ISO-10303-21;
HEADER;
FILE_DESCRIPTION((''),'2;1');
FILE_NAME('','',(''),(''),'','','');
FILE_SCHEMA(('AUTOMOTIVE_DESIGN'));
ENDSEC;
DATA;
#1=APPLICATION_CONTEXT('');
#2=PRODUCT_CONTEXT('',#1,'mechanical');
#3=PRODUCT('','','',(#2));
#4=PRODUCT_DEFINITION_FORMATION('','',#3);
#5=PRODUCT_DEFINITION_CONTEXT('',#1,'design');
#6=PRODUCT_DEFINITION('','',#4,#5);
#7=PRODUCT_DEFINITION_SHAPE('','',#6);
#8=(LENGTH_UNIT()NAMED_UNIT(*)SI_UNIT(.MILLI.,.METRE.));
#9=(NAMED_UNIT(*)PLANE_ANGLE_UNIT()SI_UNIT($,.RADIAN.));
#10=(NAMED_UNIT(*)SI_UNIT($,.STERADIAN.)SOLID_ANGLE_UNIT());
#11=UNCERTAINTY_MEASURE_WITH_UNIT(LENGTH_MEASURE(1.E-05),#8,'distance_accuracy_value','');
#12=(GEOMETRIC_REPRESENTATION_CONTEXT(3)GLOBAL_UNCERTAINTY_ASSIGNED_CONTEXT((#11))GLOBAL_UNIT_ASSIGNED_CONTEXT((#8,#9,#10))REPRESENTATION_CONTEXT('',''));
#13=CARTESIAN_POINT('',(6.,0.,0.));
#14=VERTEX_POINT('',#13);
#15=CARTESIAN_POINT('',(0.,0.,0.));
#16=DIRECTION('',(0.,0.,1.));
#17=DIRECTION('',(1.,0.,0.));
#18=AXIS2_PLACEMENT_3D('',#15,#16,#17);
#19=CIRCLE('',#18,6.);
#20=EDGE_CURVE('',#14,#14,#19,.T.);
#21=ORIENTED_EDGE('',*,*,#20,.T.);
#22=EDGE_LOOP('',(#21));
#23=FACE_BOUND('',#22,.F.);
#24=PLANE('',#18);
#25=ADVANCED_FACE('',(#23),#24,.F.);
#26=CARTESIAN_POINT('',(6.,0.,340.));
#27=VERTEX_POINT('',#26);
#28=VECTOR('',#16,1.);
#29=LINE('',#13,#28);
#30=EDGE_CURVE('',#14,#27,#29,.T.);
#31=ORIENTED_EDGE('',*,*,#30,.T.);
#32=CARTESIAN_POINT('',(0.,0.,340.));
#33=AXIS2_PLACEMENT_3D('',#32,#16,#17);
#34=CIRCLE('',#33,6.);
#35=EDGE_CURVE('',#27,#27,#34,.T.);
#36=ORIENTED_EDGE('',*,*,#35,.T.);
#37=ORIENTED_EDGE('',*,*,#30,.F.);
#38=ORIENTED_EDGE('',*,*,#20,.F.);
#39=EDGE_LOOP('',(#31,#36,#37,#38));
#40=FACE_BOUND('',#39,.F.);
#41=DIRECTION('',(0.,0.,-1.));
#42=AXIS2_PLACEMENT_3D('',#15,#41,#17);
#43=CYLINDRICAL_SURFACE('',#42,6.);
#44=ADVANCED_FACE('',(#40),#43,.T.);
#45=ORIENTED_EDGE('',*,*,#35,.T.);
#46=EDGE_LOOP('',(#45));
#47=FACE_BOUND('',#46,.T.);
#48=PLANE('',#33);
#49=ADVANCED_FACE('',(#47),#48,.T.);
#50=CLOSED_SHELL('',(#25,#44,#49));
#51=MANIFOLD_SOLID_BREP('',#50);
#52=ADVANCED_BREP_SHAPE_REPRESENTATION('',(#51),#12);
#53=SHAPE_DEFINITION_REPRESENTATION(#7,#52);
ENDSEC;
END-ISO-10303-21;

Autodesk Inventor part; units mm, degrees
ref_plane "YZ Plane" through (0, 0, 0) normal (1, 0, 0) x (0, 1, 0)
ref_plane "XZ Plane" through (0, 0, 0) normal (0, 1, 0) x (-1, 0, 0)
ref_plane "XY Plane" through (0, 0, 0) normal (0, 0, 1) x (1, 0, 0)
sketch "Sketch1" plane through (0, 0, 0) normal (0, 0, 1) x (1, 0, 0)
  circle A0 centre (0, 0) radius 6
  dimension "d0" = 12
extrude "Extrusion1" add sketch "Sketch1" along normal blind 340
properties part number "Truc phi 12 dai 340"
